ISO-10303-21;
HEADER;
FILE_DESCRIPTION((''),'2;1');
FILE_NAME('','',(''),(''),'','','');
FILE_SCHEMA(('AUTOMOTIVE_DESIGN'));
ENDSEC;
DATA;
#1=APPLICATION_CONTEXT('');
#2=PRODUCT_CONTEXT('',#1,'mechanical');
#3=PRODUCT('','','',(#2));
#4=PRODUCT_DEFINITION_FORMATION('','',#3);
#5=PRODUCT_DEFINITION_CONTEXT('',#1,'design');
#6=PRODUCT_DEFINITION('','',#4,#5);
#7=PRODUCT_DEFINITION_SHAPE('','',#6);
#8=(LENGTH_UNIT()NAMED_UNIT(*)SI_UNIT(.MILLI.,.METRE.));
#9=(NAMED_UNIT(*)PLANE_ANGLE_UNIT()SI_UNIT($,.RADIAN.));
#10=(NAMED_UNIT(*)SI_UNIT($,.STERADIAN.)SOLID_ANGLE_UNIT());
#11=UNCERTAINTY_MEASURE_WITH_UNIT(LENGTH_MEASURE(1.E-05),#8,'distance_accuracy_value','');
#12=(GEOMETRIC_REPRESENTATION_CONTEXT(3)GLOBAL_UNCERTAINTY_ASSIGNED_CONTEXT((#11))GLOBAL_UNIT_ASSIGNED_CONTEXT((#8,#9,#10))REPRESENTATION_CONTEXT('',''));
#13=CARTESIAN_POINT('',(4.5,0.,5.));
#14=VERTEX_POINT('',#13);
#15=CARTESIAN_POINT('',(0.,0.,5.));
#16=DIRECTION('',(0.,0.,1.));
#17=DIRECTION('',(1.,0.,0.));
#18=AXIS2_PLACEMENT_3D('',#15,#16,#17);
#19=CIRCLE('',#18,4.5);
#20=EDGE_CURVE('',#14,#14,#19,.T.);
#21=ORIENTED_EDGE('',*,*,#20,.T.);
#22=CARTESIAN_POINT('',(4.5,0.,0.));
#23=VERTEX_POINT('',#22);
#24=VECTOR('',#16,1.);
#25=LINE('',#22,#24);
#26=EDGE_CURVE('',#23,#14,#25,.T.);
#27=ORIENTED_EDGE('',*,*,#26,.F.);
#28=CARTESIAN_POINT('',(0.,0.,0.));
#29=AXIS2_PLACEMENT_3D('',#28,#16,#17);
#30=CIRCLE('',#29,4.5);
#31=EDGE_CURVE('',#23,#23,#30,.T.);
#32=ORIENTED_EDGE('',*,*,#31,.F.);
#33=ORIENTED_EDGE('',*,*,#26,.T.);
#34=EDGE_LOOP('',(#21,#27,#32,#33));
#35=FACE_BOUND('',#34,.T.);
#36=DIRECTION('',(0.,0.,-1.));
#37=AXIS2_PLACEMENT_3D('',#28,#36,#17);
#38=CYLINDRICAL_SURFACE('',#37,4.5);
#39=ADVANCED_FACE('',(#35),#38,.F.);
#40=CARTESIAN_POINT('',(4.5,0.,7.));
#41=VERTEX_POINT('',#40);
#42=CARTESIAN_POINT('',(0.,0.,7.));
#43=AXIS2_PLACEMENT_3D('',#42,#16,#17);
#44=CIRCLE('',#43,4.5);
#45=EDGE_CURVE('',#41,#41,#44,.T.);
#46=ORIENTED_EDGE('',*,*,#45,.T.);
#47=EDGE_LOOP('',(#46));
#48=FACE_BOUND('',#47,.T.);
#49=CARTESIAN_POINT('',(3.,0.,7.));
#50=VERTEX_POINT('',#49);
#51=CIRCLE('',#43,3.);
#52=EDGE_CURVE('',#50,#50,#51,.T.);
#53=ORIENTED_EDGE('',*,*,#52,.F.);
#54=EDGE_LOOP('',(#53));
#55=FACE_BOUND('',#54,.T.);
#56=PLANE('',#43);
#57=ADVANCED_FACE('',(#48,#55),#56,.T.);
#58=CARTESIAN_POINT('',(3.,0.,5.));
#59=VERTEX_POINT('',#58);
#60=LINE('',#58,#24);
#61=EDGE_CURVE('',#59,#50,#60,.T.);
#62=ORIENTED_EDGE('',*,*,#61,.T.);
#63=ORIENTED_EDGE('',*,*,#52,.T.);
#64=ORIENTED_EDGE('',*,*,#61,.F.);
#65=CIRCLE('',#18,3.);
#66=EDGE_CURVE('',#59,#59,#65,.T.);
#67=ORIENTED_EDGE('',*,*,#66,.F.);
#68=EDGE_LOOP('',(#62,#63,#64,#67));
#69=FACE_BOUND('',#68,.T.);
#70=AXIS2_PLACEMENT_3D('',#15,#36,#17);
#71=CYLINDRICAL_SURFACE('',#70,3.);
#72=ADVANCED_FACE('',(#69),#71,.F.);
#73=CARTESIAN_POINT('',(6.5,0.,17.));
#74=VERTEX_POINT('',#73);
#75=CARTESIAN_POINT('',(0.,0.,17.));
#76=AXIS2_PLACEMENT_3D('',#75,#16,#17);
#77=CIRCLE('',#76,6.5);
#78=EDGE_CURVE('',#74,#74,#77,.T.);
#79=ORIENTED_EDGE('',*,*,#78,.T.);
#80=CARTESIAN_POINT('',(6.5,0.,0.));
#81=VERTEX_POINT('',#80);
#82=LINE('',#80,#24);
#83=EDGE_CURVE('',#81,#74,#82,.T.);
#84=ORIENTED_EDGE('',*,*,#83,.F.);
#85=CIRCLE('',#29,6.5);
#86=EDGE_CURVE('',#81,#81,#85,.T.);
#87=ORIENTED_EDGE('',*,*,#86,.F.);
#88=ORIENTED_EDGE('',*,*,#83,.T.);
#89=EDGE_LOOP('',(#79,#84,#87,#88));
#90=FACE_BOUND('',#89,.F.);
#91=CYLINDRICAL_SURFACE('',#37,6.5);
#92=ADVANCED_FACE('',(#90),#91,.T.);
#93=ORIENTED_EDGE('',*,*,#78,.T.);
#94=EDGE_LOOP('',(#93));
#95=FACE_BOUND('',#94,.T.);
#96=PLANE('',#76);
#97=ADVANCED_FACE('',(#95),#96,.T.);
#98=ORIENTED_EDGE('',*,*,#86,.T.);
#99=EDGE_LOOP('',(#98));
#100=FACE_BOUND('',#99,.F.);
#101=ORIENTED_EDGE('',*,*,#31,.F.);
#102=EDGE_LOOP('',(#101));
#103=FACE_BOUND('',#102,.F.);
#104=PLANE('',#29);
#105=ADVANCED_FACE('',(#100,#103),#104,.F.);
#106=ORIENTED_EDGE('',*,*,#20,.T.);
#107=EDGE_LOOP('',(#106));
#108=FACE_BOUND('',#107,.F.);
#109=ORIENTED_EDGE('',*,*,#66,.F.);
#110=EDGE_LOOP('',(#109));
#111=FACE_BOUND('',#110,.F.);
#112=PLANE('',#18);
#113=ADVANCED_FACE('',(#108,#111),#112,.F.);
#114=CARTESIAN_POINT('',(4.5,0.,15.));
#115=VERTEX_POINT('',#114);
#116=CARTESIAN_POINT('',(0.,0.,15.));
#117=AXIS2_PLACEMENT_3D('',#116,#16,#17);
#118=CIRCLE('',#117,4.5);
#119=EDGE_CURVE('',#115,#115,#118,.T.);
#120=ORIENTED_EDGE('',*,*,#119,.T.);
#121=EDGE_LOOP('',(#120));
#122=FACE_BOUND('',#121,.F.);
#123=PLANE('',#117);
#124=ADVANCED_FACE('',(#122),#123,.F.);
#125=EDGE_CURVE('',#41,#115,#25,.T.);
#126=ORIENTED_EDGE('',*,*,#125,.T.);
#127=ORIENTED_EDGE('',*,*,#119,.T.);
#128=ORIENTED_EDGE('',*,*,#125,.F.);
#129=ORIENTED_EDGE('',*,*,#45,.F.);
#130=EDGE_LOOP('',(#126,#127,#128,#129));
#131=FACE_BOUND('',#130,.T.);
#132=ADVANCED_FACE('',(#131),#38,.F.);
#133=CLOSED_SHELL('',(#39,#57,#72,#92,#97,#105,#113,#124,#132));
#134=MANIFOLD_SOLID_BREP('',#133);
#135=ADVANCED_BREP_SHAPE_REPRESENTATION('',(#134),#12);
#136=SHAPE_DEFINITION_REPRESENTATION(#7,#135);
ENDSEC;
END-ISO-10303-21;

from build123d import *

# Parameters (mm, degrees)
F0_R     = 6.5
F0_R_2   = 4.5
F1_DEPTH = 17
F2_START = 5
F0_R_3   = 3
F2_DEPTH = 2
F3_START = 15
F3_DEPTH = 2


with BuildPart() as f1:
    # F0 (on Top) → F1 (new body)
    with BuildSketch(Plane.XY):
        Circle(F0_R)
        Circle(F0_R_2, mode=Mode.SUBTRACT)
    extrude(amount=F1_DEPTH)

    # F0 (on Top) → F2 (join)
    with BuildSketch(Plane.XY.offset(F2_START)):
        Circle(F0_R_2)
        Circle(F0_R_3, mode=Mode.SUBTRACT)
    extrude(amount=F2_DEPTH)

    # F0 (on Top) → F3 (join)
    with BuildSketch(Plane.XY.offset(F3_START)):
        Circle(F0_R_2)
        Circle(F0_R_3, mode=Mode.SUBTRACT)
        Circle(F0_R_3)
    extrude(amount=F3_DEPTH)


solid = f1.part
